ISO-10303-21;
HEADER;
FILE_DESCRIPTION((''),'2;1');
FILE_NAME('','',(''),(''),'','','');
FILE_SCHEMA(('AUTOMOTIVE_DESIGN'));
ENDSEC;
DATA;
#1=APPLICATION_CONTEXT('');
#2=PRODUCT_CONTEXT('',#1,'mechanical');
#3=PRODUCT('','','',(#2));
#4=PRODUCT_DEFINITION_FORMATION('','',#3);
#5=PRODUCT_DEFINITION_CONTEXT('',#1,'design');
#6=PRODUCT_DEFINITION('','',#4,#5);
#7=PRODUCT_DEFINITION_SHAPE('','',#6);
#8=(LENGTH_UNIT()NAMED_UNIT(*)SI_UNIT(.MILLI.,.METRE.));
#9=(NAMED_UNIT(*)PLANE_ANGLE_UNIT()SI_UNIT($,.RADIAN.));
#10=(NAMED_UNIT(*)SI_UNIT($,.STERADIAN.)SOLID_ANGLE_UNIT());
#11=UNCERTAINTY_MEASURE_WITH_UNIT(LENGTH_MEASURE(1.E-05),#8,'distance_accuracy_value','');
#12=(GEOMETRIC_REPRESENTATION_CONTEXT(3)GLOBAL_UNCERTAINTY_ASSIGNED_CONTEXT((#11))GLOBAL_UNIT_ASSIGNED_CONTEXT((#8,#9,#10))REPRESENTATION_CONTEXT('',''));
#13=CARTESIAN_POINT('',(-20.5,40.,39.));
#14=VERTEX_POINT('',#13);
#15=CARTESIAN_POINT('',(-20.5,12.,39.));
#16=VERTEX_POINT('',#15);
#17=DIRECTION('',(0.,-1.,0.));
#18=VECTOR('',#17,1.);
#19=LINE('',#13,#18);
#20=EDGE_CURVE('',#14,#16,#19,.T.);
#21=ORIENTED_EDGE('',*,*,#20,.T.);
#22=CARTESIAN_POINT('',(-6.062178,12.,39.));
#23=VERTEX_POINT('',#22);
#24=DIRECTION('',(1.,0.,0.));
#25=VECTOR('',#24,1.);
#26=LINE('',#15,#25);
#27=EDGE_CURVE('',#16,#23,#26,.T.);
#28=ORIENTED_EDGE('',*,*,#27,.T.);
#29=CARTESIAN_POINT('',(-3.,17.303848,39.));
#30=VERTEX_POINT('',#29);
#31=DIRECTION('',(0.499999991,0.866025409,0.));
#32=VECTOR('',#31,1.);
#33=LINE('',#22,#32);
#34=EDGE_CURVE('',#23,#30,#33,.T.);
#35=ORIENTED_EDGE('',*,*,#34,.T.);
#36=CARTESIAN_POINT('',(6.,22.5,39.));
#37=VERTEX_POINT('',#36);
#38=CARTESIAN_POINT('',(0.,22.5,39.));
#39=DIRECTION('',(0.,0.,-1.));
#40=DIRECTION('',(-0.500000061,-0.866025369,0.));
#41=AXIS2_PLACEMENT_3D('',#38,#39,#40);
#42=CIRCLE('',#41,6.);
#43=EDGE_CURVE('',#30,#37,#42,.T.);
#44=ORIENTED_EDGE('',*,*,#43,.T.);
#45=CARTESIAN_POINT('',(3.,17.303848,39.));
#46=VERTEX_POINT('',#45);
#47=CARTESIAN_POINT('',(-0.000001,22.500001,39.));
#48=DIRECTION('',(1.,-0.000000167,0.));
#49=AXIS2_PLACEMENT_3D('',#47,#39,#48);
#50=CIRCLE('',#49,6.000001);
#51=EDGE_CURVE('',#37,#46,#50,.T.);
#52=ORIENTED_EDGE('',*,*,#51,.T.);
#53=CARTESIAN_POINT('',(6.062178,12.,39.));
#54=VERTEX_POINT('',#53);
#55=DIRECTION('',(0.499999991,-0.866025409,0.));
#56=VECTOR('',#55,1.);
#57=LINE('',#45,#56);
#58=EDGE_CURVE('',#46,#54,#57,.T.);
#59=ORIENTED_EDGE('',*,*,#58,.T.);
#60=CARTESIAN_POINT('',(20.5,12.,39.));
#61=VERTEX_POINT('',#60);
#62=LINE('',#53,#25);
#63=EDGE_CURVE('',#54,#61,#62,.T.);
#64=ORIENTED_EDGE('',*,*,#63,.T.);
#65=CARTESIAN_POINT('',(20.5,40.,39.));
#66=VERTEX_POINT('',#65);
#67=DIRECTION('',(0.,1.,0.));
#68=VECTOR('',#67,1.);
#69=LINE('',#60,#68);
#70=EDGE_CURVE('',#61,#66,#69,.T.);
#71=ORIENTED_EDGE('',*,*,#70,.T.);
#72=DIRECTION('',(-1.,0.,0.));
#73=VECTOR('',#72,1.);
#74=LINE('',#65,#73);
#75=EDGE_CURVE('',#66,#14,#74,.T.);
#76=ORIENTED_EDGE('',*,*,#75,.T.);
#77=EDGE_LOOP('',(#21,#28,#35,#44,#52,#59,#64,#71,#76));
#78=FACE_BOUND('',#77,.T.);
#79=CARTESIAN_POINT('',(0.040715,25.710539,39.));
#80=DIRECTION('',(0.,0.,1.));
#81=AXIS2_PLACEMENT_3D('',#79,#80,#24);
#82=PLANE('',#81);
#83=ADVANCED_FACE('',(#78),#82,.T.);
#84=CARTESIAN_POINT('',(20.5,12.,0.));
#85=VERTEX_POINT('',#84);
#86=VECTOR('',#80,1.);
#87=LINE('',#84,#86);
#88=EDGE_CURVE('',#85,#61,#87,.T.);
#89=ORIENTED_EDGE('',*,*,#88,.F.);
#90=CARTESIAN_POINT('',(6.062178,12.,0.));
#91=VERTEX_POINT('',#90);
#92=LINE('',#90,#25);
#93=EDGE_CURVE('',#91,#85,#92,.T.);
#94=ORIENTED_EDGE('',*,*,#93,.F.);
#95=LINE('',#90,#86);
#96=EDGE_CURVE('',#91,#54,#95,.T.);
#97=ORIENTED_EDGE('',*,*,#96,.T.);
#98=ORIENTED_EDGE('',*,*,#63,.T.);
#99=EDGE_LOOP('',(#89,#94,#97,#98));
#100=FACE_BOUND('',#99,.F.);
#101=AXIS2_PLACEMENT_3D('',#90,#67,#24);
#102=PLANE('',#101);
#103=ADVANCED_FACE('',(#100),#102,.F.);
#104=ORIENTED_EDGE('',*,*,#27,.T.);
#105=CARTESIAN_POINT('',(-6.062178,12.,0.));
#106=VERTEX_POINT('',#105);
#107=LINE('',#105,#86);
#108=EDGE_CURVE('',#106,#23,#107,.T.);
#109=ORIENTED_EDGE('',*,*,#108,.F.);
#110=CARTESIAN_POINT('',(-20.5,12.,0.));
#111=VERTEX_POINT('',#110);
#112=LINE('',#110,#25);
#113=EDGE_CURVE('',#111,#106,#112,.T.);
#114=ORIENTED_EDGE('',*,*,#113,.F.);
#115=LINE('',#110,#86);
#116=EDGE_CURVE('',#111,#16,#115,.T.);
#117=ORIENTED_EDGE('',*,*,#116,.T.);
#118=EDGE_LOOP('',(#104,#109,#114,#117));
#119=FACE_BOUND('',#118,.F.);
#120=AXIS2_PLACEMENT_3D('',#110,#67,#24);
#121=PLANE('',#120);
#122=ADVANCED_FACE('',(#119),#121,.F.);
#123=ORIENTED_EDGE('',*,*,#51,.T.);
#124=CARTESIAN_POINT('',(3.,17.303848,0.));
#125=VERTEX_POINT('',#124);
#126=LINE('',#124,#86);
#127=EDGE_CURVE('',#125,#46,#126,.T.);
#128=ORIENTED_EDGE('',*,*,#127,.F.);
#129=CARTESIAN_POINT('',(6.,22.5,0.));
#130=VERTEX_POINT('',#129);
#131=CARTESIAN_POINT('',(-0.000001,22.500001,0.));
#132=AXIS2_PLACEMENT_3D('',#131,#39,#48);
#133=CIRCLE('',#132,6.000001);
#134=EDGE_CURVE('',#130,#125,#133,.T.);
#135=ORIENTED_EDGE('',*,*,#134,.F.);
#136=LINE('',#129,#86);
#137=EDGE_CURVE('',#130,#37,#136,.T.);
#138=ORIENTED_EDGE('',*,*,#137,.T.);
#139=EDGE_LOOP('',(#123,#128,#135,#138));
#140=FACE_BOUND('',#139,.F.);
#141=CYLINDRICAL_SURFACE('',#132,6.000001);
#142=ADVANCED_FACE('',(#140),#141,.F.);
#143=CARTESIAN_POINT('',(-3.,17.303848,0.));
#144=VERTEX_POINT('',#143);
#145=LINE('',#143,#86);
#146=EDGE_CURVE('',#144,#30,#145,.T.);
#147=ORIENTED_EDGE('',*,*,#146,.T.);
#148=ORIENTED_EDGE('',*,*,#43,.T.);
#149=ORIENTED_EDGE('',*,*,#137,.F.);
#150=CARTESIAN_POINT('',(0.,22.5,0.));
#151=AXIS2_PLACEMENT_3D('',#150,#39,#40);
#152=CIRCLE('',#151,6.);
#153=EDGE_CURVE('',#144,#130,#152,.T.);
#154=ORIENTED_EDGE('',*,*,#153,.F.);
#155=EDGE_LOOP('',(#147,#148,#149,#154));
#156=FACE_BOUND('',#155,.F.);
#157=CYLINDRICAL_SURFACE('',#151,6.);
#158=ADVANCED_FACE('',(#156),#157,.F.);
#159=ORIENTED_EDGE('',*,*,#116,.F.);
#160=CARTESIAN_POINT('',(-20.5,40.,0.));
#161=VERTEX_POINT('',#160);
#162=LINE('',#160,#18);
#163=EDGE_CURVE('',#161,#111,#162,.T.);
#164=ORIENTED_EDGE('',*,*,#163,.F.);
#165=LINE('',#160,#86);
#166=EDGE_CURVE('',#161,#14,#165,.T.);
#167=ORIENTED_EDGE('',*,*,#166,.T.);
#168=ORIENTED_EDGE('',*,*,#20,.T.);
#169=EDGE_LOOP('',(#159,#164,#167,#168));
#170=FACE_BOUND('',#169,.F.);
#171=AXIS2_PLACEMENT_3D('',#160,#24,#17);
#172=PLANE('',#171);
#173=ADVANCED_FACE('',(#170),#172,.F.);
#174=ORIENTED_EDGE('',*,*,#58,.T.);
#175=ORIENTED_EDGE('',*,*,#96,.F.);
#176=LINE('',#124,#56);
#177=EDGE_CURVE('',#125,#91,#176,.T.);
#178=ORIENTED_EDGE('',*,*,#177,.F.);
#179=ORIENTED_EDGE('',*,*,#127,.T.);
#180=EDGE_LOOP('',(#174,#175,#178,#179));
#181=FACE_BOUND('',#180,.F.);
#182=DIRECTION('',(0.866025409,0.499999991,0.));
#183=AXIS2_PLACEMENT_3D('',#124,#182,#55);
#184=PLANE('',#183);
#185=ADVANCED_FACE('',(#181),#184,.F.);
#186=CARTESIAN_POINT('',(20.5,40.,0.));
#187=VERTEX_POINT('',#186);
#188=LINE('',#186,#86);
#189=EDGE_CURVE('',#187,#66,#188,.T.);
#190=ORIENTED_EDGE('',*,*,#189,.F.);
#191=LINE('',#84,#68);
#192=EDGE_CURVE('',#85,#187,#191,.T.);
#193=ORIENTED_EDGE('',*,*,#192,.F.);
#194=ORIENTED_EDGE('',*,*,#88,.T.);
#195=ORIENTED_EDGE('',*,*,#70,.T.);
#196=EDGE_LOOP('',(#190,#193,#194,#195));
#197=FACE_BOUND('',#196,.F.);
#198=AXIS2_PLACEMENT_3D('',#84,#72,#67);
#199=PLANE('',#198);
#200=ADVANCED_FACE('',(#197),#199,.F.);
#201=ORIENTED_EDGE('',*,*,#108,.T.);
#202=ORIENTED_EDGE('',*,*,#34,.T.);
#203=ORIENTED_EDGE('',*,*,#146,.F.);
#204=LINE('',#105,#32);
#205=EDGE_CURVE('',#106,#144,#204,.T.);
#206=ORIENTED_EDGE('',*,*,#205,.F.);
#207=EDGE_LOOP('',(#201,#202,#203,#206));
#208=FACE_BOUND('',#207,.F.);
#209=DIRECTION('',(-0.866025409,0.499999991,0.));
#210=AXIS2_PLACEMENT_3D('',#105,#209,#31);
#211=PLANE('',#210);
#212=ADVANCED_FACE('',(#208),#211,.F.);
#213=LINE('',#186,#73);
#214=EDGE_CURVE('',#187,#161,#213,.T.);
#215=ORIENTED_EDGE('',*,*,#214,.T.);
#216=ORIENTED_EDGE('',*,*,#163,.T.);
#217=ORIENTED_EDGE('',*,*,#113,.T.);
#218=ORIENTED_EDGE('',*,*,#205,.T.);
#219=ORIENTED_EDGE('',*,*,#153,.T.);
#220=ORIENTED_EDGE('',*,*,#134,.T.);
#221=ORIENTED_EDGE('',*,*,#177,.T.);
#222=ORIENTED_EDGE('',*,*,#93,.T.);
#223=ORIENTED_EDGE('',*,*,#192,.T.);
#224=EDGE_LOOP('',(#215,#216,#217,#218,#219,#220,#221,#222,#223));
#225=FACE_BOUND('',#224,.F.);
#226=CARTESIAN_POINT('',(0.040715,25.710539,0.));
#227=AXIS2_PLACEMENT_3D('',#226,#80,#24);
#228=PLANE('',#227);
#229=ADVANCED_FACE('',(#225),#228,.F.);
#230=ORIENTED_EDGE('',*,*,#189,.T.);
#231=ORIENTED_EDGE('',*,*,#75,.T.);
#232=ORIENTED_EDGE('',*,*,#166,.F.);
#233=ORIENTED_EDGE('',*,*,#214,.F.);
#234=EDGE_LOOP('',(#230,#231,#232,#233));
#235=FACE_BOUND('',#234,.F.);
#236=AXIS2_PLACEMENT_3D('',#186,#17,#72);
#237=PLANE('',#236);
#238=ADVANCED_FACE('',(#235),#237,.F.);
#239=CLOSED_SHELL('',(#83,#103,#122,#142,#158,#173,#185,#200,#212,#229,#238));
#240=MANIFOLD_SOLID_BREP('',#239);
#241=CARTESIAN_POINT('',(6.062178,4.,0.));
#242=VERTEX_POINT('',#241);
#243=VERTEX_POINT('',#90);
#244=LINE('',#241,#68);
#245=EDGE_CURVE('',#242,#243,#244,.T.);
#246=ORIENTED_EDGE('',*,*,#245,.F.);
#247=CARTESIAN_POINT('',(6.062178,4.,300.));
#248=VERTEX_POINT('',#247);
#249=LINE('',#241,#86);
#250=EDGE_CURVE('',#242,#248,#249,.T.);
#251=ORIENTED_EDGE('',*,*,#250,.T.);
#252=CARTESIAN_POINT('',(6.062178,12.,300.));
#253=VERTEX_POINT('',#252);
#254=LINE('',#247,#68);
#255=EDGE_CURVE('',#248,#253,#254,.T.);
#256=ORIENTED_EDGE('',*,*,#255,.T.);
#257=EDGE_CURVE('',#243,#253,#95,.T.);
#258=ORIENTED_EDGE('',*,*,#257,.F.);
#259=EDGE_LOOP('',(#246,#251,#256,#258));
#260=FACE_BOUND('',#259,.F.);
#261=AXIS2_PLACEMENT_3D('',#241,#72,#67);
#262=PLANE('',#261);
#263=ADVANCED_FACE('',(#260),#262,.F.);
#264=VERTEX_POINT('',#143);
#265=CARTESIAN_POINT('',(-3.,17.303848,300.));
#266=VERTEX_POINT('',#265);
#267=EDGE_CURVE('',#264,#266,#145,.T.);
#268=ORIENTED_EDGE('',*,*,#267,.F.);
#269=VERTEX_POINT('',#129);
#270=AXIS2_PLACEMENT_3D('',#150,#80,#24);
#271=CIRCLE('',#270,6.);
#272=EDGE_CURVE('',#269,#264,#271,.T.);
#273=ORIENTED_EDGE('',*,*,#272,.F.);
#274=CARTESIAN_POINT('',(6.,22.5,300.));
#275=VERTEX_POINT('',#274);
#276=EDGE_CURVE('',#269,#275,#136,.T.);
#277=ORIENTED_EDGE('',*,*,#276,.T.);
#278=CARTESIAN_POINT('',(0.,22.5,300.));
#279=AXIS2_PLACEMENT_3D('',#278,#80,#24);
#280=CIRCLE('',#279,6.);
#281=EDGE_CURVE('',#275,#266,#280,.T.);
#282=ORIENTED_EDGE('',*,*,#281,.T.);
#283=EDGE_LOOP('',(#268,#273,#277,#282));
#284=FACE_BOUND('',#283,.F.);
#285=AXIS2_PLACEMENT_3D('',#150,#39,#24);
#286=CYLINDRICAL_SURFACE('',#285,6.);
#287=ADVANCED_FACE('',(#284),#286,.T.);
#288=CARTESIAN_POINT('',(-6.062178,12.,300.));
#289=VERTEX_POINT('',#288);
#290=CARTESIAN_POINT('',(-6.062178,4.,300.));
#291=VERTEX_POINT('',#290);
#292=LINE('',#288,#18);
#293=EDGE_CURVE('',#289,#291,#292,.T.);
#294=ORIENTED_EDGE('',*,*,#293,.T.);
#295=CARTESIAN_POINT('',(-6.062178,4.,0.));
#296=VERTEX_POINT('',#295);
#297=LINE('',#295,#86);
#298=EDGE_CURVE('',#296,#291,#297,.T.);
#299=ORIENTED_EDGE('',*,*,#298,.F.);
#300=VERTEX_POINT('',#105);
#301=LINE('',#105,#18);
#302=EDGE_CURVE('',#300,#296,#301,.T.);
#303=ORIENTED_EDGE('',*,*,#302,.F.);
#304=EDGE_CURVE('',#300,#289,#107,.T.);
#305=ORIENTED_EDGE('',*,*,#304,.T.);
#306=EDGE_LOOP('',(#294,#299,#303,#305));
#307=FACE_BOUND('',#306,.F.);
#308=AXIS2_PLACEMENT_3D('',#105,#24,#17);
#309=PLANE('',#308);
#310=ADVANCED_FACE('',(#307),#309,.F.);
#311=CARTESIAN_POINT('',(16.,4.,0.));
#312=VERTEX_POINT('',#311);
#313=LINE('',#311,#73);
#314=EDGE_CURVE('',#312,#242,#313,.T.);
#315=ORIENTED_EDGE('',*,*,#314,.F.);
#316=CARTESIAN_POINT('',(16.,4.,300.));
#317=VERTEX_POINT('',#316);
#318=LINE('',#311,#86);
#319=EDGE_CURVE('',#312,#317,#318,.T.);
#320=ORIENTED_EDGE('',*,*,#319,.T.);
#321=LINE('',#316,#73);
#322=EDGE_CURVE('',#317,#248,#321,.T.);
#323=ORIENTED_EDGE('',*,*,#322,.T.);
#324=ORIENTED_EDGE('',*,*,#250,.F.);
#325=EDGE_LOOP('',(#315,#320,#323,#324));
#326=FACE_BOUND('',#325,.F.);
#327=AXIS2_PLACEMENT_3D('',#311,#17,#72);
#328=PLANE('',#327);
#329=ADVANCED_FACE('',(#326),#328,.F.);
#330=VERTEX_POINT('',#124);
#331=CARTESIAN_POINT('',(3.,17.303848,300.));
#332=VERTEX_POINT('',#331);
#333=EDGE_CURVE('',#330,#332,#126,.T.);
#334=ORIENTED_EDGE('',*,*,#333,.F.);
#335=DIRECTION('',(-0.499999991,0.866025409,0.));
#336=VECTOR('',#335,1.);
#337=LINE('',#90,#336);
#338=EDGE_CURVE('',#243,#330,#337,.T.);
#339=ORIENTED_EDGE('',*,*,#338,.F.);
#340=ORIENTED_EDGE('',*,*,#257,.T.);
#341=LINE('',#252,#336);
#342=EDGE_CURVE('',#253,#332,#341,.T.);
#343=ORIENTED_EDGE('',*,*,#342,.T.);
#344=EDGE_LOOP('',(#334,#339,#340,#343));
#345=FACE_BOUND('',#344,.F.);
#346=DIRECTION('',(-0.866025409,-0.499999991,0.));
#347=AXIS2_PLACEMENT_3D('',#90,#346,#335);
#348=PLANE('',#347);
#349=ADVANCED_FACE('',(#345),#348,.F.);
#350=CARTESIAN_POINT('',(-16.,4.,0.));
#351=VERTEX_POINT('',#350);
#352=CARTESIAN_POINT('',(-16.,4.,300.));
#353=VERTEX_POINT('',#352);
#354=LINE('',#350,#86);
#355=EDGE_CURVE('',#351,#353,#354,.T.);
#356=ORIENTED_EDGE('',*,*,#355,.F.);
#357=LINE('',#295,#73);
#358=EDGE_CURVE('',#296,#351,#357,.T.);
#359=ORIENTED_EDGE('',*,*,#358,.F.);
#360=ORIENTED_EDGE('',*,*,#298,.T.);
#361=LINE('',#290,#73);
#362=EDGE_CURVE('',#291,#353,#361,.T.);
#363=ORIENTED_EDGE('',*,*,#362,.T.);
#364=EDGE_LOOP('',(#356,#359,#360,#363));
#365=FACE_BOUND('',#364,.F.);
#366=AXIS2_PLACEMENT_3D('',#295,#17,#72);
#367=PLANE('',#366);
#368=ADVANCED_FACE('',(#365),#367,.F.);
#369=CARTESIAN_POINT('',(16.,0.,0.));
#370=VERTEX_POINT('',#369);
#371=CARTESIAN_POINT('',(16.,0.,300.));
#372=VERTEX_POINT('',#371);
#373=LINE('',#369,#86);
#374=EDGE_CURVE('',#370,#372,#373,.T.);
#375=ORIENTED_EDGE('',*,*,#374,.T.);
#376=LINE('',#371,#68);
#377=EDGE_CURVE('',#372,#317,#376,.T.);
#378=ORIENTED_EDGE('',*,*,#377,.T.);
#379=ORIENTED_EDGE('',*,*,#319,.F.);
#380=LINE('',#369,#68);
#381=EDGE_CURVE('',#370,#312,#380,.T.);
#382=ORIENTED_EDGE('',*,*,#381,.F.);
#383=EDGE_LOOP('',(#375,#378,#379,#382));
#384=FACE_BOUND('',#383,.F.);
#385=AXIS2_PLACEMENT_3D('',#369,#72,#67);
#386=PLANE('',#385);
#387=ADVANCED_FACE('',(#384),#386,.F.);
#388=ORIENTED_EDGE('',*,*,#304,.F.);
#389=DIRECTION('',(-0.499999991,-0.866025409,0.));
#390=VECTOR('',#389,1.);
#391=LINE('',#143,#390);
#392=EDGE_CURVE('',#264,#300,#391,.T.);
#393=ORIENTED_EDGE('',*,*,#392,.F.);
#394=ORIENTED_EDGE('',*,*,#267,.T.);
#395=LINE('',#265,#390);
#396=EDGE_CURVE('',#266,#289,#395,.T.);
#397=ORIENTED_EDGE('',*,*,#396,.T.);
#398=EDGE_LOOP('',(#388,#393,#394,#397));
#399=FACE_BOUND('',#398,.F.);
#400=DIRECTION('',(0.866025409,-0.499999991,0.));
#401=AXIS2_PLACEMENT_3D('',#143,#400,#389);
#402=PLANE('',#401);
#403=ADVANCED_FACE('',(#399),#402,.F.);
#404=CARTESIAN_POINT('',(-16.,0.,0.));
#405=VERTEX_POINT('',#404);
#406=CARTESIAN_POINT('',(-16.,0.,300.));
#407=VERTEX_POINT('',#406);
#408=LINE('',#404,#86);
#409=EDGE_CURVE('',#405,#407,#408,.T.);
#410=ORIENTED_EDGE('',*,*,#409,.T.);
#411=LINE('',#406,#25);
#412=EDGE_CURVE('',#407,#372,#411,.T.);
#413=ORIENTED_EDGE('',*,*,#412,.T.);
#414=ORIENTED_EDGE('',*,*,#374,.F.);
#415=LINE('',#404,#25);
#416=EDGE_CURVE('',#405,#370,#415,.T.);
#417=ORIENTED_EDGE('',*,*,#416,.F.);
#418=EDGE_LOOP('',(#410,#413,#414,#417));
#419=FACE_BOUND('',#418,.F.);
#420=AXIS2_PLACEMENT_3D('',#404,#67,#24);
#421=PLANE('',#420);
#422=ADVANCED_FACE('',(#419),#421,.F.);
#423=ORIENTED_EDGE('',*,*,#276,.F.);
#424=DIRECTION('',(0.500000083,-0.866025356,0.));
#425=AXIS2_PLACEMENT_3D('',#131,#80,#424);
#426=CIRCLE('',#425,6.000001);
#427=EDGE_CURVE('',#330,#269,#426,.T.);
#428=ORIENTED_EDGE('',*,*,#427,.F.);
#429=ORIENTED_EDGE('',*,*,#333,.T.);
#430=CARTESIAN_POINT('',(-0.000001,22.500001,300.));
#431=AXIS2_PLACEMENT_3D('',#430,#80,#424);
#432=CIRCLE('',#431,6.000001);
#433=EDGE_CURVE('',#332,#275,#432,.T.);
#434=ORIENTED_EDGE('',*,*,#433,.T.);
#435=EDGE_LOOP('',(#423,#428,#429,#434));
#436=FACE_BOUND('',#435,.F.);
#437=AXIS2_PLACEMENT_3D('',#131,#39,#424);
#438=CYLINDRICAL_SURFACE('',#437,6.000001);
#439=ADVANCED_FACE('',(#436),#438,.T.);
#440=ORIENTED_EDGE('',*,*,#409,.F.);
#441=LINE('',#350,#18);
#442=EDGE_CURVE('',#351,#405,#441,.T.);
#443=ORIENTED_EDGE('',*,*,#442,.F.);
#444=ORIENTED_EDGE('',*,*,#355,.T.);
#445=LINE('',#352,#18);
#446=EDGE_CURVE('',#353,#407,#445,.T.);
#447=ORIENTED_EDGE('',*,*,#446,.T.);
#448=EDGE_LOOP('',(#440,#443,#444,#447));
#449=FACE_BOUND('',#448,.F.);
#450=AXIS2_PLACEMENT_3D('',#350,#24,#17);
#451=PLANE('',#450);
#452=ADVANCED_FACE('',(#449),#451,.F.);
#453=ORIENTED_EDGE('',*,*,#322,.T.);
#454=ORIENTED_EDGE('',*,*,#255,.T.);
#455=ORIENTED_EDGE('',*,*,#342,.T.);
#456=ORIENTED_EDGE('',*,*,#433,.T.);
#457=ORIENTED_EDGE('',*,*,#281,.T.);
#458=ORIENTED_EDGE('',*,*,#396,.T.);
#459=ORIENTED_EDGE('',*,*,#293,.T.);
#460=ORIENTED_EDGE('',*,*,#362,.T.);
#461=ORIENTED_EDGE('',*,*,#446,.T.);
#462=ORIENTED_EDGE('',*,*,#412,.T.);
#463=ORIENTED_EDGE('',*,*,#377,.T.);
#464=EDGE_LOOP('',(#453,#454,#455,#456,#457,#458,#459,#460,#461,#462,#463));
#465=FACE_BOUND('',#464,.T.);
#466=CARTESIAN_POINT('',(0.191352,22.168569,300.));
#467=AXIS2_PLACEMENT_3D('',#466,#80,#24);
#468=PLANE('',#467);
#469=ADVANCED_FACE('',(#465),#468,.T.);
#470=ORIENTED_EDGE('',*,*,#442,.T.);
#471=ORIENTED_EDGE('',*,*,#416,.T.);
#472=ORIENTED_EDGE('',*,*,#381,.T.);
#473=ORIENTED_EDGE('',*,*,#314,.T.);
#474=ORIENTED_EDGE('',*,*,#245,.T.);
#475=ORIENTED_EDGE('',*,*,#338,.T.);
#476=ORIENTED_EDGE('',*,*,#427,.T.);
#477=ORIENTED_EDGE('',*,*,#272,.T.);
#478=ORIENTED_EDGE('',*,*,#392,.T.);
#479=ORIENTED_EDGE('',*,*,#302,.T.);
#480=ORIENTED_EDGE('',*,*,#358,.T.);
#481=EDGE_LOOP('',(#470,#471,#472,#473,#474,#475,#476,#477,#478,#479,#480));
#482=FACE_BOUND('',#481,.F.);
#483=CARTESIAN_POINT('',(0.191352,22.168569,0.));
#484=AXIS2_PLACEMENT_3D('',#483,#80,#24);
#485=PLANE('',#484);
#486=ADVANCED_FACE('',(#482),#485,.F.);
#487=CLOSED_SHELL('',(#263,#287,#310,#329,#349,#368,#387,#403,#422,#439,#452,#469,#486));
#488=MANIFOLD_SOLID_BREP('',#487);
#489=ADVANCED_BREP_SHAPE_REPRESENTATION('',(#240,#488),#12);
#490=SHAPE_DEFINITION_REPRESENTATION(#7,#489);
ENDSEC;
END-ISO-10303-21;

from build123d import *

# Parameters (mm, degrees)
F1_DEPTH = 300
F2_DEPTH = 39


with BuildPart() as f1:
    # F0 (on Top) → F1 (new body)
    with BuildSketch(Plane.XY):
        with BuildLine():
            ThreePointArc((3, 17.303848), (5.196152, 19.5), (6, 22.5))
            ThreePointArc((6, 22.5), (-3, 27.696152), (-3, 17.303848))
            ThreePointArc((-3, 17.303848), (0, 16.5), (3, 17.303848))
        make_face()
        with BuildLine():
            ThreePointArc((3, 17.303848), (0, 16.5), (-3, 17.303848))
            Line((-3, 17.303848), (-6.062178, 12))
            Line((-6.062178, 12), (-6.062178, 4))
            Line((-6.062178, 4), (6.062178, 4))
            Line((6.062178, 4), (6.062178, 12))
            Line((6.062178, 12), (3, 17.303848))
        make_face()
        Polygon((6.062178, 4), (-6.062178, 4), (-16, 4), (-16, 0), (16, 0), (16, 4), align=None)
    extrude(amount=F1_DEPTH)


with BuildPart() as f2:
    # F0 (on Top) → F2 (new body)
    with BuildSketch(Plane.XY):
        with BuildLine():
            ThreePointArc((-3, 17.303848), (-3, 27.696152), (6, 22.5))
            ThreePointArc((6, 22.5), (5.196152, 19.5), (3, 17.303848))
            Line((3, 17.303848), (6.062178, 12))
            Line((6.062178, 12), (20.5, 12))
            Line((20.5, 12), (20.5, 40))
            Line((20.5, 40), (-20.5, 40))
            Line((-20.5, 40), (-20.5, 12))
            Line((-20.5, 12), (-6.062178, 12))
            Line((-6.062178, 12), (-3, 17.303848))
        make_face()
    extrude(amount=F2_DEPTH)


solid = Compound([f1.part, f2.part])
